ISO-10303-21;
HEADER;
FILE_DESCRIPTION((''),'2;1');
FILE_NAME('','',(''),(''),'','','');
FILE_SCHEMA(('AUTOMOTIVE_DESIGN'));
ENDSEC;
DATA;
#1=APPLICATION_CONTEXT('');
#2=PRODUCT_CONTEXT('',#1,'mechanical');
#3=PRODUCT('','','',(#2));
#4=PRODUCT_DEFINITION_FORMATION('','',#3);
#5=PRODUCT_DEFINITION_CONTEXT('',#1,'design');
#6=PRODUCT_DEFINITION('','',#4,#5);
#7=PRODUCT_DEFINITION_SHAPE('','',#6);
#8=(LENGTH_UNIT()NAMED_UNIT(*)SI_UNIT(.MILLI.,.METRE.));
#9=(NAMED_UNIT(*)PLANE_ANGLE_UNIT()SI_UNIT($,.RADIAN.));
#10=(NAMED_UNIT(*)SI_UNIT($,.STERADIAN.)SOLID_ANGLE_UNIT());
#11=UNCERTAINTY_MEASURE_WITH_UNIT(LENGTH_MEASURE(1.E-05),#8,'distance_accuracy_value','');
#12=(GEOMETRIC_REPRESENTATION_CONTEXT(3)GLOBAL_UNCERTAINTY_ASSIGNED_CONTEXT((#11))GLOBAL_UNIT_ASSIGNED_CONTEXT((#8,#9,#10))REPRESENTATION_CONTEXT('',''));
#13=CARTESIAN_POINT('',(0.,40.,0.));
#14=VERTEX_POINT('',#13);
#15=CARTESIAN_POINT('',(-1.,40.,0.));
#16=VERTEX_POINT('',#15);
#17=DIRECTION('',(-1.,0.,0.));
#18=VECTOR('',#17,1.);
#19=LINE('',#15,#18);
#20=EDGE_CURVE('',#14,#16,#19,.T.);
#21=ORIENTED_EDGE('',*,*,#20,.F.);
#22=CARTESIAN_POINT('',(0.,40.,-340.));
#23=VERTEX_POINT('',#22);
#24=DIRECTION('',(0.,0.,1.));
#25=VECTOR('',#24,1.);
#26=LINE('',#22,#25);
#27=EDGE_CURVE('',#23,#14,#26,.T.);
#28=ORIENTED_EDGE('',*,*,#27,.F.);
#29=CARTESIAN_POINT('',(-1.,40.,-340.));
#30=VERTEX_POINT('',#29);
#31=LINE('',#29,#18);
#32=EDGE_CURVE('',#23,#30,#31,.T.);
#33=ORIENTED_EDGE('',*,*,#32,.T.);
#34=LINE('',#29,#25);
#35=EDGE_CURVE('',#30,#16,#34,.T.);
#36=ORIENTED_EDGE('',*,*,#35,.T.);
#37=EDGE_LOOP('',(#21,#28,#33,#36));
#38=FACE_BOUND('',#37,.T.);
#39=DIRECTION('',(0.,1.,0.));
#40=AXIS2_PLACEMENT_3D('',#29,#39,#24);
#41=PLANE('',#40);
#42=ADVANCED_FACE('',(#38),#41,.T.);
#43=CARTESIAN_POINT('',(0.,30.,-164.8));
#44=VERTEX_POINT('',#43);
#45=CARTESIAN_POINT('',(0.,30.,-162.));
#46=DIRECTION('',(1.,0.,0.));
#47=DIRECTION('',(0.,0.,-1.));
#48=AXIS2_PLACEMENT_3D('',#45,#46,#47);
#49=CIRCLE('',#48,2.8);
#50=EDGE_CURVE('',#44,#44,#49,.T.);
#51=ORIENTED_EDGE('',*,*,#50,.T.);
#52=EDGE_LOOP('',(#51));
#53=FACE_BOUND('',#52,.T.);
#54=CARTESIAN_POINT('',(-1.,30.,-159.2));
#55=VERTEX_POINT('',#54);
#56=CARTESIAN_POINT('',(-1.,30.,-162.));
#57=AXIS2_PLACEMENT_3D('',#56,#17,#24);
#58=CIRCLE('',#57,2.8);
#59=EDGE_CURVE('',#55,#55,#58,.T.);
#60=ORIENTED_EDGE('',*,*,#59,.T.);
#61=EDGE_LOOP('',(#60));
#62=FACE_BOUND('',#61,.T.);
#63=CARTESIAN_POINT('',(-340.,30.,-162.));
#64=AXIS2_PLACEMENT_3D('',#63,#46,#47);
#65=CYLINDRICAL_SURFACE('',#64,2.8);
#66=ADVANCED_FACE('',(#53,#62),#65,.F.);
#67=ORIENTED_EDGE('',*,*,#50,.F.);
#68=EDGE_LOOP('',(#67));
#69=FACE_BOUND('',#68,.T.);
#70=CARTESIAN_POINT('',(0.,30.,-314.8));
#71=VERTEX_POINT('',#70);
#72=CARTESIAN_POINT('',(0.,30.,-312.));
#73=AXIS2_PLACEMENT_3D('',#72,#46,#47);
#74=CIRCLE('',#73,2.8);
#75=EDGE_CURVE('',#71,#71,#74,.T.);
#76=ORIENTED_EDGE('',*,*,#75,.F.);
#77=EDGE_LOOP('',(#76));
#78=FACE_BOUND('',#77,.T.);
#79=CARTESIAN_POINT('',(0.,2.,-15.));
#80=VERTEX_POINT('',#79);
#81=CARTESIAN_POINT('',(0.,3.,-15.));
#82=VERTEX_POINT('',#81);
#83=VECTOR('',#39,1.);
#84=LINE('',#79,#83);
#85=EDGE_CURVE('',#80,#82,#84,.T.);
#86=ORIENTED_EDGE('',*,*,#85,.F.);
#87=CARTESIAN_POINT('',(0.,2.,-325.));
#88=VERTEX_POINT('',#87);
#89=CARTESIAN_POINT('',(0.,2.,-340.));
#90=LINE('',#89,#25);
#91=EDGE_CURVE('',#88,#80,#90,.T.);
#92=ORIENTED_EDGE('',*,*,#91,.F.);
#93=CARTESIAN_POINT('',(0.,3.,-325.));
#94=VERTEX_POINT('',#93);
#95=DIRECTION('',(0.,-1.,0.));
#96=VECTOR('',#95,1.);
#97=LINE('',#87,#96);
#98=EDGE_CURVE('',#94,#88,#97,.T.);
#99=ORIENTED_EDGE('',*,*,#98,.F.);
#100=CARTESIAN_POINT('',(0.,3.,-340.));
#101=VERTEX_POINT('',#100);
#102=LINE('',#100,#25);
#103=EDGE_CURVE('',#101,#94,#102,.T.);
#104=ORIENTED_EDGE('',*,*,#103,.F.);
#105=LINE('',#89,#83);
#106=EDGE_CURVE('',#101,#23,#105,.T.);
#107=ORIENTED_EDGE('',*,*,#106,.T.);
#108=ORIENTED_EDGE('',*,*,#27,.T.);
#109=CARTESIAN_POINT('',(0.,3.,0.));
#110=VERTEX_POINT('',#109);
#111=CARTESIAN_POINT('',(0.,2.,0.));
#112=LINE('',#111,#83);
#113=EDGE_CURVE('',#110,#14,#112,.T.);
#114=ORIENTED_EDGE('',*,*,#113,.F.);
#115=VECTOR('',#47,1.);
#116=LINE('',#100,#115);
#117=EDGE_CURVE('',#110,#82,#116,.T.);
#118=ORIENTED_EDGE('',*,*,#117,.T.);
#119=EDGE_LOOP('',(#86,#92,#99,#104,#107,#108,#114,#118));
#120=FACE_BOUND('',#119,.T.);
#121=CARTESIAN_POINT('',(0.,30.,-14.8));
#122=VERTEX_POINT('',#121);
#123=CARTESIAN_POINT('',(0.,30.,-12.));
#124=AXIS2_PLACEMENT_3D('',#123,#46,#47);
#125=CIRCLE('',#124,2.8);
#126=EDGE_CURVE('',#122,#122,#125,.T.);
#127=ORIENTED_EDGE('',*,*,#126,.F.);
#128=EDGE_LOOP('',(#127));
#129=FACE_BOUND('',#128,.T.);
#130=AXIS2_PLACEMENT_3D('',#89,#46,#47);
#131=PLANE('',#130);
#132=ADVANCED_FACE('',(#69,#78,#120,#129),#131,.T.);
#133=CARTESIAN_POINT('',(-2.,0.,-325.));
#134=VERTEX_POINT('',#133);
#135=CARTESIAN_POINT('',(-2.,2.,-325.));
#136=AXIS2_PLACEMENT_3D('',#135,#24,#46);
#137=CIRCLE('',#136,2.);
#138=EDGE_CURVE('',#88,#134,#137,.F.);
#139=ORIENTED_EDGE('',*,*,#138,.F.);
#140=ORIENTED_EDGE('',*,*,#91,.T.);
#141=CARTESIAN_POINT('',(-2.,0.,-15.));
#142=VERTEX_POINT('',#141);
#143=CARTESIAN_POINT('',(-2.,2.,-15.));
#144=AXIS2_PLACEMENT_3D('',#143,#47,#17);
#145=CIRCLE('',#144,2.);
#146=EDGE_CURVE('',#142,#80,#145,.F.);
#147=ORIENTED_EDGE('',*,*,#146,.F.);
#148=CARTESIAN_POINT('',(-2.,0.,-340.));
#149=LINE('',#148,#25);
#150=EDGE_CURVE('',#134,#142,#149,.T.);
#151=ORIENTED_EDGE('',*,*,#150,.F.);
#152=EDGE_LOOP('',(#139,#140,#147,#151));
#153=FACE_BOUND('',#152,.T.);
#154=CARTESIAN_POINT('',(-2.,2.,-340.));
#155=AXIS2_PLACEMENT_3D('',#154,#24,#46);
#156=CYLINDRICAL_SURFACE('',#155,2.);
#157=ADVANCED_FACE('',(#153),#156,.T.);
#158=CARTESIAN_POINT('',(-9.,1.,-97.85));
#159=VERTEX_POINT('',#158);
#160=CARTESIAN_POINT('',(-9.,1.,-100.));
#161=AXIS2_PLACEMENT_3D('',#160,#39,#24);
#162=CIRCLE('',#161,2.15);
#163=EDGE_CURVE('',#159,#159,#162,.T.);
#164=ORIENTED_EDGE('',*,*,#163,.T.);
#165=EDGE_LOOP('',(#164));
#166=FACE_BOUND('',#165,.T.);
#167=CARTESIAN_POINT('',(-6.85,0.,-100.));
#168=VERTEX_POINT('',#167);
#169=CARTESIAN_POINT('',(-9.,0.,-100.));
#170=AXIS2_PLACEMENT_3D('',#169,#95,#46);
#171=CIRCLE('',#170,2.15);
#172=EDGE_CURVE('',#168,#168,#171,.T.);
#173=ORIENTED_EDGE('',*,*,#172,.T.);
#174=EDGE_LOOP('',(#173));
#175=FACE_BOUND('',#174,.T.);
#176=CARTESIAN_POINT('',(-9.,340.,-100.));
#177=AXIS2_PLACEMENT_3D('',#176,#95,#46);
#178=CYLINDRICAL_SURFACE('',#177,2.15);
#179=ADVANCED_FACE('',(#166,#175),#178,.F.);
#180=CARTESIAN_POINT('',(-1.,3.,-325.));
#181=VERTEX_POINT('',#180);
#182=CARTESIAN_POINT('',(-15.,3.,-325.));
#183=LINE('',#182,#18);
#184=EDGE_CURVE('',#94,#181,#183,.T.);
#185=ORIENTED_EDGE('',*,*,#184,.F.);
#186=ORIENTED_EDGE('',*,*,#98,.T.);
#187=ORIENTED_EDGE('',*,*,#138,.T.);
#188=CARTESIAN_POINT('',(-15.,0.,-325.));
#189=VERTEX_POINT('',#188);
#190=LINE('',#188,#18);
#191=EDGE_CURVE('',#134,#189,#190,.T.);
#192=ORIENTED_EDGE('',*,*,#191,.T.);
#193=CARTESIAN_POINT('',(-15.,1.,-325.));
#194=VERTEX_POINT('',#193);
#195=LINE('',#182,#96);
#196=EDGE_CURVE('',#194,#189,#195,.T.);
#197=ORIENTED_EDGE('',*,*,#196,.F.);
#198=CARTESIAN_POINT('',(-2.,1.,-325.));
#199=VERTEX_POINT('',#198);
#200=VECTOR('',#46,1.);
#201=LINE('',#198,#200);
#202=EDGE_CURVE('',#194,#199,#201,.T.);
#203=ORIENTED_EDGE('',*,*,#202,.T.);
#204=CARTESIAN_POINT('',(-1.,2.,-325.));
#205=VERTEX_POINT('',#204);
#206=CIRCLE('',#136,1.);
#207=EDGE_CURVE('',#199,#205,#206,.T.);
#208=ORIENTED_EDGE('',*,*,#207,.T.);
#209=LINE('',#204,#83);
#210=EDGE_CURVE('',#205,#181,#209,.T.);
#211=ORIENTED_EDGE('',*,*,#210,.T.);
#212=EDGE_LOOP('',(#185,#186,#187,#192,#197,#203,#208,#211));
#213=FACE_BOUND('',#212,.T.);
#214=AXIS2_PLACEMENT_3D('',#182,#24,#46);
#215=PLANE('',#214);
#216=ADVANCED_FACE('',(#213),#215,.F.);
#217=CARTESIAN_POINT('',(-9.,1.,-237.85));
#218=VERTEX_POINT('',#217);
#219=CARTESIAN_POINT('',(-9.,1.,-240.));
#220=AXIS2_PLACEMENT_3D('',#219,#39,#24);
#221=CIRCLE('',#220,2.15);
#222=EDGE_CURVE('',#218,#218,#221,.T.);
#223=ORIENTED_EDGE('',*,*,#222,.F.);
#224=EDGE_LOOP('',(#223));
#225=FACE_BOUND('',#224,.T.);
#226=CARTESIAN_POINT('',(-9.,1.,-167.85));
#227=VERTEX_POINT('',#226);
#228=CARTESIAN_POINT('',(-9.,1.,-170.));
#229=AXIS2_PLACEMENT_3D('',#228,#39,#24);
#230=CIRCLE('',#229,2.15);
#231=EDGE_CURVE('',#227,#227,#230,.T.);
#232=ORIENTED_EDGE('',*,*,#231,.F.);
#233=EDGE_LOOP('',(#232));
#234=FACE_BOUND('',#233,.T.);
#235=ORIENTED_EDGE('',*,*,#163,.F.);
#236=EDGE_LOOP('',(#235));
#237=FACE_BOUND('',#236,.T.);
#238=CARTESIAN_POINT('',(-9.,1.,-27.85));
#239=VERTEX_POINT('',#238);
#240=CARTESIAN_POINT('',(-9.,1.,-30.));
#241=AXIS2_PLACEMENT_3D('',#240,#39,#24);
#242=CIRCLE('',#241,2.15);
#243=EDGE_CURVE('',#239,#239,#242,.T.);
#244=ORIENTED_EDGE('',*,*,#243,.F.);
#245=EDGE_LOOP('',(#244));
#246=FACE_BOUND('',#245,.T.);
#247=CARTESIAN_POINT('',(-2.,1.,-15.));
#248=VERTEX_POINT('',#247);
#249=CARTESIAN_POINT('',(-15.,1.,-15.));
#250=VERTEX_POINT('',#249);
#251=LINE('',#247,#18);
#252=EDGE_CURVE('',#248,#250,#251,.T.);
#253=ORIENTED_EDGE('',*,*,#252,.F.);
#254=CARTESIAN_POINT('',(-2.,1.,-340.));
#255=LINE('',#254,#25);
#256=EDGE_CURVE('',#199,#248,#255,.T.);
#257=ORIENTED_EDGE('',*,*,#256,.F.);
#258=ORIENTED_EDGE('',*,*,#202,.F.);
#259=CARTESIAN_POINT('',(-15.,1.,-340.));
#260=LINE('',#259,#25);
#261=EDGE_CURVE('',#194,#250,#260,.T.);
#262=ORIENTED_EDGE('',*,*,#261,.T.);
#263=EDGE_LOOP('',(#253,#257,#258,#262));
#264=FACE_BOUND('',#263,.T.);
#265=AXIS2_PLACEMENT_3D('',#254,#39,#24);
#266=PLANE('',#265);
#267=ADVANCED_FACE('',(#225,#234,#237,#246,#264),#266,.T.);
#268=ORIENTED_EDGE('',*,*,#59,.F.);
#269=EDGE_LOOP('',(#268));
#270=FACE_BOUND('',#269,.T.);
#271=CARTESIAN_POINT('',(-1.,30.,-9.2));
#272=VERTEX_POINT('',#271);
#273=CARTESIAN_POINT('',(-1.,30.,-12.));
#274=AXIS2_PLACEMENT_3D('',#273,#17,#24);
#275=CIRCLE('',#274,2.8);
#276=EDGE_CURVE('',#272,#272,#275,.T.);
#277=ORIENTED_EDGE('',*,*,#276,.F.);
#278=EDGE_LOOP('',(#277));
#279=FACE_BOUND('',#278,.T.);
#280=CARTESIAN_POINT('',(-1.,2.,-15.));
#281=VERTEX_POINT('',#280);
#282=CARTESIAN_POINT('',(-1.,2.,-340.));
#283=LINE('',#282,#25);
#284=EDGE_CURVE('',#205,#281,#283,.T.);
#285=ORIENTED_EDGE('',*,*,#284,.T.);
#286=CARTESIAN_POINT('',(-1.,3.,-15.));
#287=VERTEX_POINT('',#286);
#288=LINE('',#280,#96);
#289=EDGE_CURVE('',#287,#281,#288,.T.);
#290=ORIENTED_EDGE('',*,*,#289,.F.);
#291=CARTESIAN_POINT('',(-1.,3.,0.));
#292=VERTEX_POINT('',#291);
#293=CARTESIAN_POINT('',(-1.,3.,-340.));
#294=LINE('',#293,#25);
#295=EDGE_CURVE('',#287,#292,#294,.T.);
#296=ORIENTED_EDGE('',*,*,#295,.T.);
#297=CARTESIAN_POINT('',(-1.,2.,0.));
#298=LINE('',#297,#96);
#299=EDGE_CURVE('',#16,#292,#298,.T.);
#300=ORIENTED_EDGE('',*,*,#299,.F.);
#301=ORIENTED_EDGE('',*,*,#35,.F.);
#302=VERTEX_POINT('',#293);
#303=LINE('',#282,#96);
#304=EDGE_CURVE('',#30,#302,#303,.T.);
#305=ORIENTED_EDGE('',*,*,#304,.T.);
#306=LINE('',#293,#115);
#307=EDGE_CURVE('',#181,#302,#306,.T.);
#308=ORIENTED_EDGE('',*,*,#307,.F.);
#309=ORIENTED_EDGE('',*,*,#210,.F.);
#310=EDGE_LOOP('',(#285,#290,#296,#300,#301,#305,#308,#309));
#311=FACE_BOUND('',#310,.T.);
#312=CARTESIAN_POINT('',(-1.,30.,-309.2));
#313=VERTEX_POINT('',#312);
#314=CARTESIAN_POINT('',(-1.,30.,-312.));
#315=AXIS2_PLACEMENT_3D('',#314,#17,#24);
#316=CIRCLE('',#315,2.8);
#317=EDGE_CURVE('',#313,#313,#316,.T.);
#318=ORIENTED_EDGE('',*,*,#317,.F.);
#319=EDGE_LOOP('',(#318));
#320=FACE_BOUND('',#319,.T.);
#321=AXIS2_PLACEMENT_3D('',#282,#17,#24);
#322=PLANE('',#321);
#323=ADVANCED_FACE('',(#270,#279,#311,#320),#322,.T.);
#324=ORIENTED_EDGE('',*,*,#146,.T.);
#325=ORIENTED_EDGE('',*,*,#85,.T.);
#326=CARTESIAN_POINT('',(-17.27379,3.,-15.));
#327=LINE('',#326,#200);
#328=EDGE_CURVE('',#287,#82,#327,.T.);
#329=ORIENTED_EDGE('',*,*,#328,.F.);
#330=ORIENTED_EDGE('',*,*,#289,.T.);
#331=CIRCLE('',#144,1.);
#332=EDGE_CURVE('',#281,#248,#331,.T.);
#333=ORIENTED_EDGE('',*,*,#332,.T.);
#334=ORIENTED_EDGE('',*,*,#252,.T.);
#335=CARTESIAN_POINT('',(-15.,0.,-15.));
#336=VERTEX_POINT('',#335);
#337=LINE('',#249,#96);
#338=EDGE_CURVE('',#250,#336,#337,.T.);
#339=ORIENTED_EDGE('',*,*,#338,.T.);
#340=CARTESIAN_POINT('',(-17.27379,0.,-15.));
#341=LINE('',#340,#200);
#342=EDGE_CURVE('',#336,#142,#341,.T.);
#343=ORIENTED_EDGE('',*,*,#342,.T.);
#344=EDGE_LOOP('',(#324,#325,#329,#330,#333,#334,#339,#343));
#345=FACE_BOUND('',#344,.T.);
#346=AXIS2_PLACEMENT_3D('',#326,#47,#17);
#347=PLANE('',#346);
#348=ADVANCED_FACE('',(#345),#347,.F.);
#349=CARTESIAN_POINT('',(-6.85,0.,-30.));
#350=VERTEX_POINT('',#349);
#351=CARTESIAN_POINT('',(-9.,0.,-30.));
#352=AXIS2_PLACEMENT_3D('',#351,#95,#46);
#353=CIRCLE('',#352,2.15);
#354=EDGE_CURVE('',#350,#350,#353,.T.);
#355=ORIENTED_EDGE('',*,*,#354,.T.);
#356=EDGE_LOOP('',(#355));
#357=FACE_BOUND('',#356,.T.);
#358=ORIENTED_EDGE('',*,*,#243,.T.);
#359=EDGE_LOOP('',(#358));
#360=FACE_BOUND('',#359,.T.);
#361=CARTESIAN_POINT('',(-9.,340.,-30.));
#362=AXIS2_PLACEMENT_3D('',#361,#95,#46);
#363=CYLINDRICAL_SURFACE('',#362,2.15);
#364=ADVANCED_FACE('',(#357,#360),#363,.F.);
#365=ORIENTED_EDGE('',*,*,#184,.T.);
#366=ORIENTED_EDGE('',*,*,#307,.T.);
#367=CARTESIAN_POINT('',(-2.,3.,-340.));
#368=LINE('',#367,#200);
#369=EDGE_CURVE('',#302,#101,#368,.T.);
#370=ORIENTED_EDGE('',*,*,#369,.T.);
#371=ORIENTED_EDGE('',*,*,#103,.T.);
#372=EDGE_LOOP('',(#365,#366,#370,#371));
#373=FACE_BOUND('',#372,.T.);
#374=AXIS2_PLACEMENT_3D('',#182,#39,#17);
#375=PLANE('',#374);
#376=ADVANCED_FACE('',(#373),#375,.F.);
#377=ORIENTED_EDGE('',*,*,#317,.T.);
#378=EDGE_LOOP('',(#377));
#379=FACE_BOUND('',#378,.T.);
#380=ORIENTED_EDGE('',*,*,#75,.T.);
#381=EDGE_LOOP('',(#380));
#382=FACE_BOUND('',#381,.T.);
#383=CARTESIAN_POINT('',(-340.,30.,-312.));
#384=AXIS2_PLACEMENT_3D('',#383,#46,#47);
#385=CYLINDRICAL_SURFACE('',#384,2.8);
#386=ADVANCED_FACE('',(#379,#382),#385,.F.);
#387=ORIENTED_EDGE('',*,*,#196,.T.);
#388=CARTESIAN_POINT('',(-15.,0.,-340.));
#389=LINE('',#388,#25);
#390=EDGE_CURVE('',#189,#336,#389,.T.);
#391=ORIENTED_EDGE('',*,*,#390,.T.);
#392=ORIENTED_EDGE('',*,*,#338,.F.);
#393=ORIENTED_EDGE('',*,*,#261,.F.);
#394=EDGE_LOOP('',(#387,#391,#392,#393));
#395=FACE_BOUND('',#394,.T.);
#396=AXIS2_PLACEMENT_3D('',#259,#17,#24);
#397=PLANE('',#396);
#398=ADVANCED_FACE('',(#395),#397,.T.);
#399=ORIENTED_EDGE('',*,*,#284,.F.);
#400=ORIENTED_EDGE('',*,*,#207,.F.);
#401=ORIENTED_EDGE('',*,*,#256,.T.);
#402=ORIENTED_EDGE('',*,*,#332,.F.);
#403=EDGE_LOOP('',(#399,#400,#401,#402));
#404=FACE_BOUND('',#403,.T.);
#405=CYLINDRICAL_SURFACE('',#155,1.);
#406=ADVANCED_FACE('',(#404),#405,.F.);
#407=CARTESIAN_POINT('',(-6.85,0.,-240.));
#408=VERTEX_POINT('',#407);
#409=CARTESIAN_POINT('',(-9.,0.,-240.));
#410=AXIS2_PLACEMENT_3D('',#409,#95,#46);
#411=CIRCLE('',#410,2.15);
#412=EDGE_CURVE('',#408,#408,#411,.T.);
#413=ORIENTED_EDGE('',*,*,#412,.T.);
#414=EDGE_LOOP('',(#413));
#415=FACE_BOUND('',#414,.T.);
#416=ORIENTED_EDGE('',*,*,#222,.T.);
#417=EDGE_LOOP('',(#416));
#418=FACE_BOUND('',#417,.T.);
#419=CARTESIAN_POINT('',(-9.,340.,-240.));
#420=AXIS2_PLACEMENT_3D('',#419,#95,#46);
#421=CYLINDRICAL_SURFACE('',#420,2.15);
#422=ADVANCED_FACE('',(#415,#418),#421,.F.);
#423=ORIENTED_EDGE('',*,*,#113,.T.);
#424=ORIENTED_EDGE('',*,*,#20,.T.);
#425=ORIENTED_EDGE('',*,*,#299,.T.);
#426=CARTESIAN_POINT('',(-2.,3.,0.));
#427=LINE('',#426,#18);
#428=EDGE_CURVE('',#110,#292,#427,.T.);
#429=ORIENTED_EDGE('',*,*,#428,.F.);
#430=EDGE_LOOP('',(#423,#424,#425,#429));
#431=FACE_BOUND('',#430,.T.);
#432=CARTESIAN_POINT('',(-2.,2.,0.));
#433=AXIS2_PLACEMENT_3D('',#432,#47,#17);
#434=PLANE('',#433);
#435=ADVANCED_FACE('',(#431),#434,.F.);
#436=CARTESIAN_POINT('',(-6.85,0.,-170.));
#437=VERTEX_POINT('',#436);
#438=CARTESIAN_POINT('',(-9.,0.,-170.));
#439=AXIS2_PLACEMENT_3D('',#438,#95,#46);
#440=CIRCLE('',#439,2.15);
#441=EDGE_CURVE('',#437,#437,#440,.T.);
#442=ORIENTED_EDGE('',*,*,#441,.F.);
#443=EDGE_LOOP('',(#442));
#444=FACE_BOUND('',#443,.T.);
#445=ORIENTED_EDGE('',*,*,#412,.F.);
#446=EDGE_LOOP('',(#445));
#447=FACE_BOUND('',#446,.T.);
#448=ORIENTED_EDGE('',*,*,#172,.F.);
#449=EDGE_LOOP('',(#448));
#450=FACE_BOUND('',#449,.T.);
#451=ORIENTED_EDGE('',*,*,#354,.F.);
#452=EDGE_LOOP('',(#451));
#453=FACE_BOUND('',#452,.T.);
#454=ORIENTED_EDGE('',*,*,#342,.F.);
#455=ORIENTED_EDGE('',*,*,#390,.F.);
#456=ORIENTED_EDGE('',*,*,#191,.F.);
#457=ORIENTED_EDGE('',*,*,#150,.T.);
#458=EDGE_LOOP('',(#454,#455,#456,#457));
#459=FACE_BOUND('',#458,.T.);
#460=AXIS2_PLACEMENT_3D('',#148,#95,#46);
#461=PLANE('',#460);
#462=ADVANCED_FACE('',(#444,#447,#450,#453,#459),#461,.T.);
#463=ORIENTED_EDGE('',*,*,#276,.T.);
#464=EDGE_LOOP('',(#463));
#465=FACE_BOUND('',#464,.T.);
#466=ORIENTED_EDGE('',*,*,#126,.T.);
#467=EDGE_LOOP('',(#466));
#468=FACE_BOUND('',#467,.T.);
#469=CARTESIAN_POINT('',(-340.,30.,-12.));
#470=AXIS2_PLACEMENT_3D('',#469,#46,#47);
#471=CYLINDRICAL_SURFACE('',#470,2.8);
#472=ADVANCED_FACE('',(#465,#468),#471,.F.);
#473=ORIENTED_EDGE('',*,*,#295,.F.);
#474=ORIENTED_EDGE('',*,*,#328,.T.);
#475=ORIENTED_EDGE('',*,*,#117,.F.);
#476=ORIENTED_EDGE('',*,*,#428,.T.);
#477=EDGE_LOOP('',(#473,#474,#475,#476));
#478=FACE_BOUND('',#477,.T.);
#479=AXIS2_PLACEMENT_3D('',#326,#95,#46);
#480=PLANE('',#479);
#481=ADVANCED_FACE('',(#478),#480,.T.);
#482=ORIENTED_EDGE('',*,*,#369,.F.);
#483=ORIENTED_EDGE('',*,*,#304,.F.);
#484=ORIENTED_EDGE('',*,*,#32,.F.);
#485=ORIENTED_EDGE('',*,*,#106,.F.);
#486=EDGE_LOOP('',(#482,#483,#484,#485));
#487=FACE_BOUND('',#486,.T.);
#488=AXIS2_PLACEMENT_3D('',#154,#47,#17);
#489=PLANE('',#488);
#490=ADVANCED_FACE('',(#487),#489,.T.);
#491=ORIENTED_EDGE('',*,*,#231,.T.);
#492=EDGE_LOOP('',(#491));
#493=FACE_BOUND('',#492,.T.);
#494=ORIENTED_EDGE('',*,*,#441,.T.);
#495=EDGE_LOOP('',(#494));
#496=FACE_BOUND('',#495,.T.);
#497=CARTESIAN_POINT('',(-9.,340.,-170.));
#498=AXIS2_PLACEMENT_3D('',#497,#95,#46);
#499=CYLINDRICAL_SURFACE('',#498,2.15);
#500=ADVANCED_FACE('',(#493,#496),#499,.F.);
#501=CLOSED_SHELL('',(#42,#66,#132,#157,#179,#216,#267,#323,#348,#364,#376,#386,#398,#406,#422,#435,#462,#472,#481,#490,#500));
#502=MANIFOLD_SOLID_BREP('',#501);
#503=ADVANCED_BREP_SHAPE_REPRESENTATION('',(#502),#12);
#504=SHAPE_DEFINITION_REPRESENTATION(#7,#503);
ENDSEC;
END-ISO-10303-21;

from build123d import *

# Parameters (mm, degrees)
EXTRUDE_1_DEPTH     = 340
SKETCH_2_R          = 2.8
CUT_EXTRUDE_1_DEPTH = 340
SKETCH_3_R          = 2.15
CUT_EXTRUDE_2_DEPTH = 340
SKETCH_4_W          = 37.623292197
SKETCH_4_H          = 20.655925128
SKETCH_4_W_2        = 42.547460075
SKETCH_4_H_2        = 15
SKETCH_4_W_3        = 34.50961452
CUT_EXTRUDE_3_DEPTH = 3


with BuildPart() as part:
    # Эскиз1 → Вытянуть1 (new body)
    with BuildSketch(Plane.XY):
        with BuildLine():
            Line((-2, 0), (-15, 0))
            Line((-15, 0), (-15, 1))
            Line((-15, 1), (-2, 1))
            ThreePointArc((-2, 1), (-1.292893219, 1.292893219), (-1, 2))
            Line((-1, 2), (-1, 40))
            Line((-1, 40), (0, 40))
            Line((0, 40), (0, 2))
            ThreePointArc((0, 2), (-0.585786438, 0.585786438), (-2, 0))
        make_face()
    extrude(amount=-EXTRUDE_1_DEPTH)

    # Эскиз2 → Вырез-Вытянуть1 (cut)
    with BuildSketch(Plane(origin=(0, 0, 0), x_dir=(0, 0, -1), z_dir=(1, 0, 0))):
        with Locations((12, 30)):
            Circle(SKETCH_2_R)
        with Locations((162, 30)):
            Circle(SKETCH_2_R)
        with Locations((312, 30)):
            Circle(SKETCH_2_R)
    extrude(amount=-CUT_EXTRUDE_1_DEPTH, mode=Mode.SUBTRACT)

    # Эскиз3 → Вырез-Вытянуть2 (cut)
    with BuildSketch(Plane.XZ):
        with Locations((-9, -240)):
            Circle(SKETCH_3_R)
        with Locations((-9, -170)):
            Circle(SKETCH_3_R)
        with Locations((-9, -100)):
            Circle(SKETCH_3_R)
        with Locations((-9, -30)):
            Circle(SKETCH_3_R)
    extrude(amount=-CUT_EXTRUDE_2_DEPTH, mode=Mode.SUBTRACT)

    # Эскиз4 → Вырез-Вытянуть3 (cut)
    with BuildSketch(Plane.XZ):
        with Locations((6.462024168, 335.327962564)):
            Rectangle(SKETCH_4_W, SKETCH_4_H)
        with Locations((3.999940229, -7.5)):
            Rectangle(SKETCH_4_W_2, SKETCH_4_H_2)
        with Locations((2.25480726, -332.5)):
            Rectangle(SKETCH_4_W_3, SKETCH_4_H_2)
    extrude(amount=-CUT_EXTRUDE_3_DEPTH, mode=Mode.SUBTRACT)


solid = part.part
